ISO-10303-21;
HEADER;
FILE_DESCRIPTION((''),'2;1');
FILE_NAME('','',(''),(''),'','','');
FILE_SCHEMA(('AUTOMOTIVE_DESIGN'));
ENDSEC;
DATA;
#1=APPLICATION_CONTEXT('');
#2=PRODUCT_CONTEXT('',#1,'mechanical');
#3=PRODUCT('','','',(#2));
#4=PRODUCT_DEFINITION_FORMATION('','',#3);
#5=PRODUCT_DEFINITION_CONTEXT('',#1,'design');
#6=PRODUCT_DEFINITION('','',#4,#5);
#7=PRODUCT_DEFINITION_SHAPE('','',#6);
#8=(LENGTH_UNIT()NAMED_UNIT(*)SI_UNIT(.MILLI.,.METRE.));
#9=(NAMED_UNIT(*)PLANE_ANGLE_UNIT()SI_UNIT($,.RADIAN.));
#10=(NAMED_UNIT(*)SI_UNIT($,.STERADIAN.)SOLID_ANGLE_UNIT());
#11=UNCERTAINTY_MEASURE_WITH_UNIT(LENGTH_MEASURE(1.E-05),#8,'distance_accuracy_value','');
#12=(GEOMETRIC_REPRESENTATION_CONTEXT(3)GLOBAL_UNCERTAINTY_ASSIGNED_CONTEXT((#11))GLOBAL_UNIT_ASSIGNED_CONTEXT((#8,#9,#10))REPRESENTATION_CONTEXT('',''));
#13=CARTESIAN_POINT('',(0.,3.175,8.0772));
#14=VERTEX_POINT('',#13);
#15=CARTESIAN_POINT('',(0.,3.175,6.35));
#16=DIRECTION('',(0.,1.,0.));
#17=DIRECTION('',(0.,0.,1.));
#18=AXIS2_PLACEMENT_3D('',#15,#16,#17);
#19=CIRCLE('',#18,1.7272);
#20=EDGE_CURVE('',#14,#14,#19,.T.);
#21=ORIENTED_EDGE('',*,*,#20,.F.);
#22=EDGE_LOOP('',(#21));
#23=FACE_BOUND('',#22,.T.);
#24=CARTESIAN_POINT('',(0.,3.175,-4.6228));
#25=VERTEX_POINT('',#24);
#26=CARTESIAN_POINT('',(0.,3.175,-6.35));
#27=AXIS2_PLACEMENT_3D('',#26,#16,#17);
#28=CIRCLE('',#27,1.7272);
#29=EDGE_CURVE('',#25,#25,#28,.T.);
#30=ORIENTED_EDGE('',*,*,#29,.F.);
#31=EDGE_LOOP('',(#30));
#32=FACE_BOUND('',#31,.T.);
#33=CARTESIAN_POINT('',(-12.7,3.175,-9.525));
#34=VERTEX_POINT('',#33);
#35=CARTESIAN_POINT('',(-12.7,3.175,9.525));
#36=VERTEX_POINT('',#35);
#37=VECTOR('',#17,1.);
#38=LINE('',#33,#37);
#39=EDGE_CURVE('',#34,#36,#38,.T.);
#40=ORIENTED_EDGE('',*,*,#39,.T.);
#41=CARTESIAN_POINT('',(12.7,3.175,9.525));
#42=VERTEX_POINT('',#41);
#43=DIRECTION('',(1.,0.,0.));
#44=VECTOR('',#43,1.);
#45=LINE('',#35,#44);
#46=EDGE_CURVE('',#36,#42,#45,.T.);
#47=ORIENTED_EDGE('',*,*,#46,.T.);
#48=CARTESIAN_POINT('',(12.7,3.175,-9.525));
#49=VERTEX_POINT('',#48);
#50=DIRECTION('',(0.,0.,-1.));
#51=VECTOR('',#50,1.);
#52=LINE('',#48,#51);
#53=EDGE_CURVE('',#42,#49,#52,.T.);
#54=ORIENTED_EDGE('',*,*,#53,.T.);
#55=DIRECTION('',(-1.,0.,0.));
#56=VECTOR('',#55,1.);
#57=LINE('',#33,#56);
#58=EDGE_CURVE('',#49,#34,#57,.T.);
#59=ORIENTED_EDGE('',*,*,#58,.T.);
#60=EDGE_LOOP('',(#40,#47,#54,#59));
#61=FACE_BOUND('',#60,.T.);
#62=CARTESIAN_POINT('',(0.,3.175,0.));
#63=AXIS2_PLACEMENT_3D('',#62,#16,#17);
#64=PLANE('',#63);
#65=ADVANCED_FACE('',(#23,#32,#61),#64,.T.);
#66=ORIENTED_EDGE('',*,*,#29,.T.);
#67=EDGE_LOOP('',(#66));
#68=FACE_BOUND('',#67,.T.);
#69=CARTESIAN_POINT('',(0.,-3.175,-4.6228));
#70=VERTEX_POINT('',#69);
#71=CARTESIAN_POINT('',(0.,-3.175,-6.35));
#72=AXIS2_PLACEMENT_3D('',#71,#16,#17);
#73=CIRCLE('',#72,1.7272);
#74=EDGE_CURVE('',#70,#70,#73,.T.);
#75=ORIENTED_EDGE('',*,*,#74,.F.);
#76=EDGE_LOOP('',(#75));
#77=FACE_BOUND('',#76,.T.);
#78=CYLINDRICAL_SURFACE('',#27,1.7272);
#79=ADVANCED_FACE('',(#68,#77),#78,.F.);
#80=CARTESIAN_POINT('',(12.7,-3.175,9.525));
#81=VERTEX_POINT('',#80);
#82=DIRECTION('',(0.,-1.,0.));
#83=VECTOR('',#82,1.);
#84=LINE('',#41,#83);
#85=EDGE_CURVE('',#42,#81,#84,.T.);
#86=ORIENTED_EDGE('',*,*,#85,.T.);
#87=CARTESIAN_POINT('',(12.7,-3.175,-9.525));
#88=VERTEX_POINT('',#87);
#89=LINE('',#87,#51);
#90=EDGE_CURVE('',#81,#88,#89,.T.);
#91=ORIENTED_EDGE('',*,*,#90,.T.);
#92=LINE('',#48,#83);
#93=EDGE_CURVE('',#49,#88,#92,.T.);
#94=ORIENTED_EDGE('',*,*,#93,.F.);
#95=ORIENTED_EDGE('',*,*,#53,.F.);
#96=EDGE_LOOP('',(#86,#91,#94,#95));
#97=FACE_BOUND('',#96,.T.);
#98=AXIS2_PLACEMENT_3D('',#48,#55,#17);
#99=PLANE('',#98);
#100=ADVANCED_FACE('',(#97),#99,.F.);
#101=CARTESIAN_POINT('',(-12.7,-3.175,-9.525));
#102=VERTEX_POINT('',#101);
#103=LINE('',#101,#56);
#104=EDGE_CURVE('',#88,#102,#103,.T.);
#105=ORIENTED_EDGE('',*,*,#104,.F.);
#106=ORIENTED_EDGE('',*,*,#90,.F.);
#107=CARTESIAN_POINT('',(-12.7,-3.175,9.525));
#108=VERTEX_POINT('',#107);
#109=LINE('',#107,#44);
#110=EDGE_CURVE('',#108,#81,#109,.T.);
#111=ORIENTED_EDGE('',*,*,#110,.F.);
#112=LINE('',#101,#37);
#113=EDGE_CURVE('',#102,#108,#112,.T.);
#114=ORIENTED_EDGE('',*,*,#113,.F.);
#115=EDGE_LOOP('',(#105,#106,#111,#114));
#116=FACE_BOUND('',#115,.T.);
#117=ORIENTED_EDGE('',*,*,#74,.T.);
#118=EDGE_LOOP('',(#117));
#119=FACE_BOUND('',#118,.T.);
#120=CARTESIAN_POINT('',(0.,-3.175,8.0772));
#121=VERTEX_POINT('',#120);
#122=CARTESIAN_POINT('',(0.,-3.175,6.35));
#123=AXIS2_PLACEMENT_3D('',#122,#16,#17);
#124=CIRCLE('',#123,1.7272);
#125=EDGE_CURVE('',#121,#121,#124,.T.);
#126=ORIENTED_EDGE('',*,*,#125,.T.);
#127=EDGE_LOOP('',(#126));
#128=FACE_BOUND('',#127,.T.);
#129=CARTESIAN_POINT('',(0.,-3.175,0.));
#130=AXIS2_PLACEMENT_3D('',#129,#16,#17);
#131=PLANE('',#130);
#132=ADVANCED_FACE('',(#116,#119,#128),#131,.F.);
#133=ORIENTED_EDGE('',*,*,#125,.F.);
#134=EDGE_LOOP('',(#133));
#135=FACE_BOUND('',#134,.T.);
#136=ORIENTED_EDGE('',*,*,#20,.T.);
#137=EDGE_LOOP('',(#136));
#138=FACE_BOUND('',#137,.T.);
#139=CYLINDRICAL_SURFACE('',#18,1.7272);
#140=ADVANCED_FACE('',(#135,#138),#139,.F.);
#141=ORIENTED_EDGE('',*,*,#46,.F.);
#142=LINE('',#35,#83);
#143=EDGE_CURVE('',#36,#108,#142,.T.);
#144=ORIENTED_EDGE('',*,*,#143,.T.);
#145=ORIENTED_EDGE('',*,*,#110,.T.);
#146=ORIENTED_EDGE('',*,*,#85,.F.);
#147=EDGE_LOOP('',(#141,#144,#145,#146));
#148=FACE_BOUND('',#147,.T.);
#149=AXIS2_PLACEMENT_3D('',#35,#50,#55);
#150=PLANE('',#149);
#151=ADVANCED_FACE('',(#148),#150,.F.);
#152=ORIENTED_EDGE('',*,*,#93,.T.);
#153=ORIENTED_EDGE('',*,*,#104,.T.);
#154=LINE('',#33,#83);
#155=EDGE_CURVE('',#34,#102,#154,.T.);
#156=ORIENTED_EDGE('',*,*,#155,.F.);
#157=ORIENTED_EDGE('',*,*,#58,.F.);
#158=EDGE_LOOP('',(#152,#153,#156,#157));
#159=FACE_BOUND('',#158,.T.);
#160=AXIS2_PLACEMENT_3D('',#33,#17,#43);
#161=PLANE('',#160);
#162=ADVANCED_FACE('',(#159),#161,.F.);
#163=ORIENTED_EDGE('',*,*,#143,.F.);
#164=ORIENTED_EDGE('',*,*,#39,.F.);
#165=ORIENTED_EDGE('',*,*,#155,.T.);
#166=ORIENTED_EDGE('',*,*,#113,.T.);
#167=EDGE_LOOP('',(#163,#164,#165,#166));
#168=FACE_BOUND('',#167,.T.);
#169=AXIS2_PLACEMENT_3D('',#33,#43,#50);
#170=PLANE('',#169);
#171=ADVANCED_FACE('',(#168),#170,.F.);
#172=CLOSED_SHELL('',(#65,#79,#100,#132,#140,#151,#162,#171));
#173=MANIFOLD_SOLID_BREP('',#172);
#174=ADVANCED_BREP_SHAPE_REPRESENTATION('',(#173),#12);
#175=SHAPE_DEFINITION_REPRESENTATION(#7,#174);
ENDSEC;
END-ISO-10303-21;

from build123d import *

# Parameters (mm, degrees)
SKETCH1_W             = 25.4
SKETCH1_H             = 19.05
BOSS_EXTRUDE1_DEPTH   = 3.175
F_8_32_TAPPED_HOLE1_D = 3.4544


with BuildPart() as part:
    # Sketch1 → Boss-Extrude1 (new, symmetric)
    with BuildSketch(Plane(origin=(0, 0, 0), x_dir=(1, 0, 0), z_dir=(0, 1, 0))):
        Rectangle(SKETCH1_W, SKETCH1_H)
    extrude(amount=BOSS_EXTRUDE1_DEPTH, both=True)

    # #8-32 Tapped Hole1 (through all)
    with Locations(Plane(origin=(0, 3.175, 0), x_dir=(1, 0, 0), z_dir=(0, 1, 0))):
        with Locations((0, 6.35), (0, -6.35)):
            Hole(F_8_32_TAPPED_HOLE1_D / 2)


solid = part.part
